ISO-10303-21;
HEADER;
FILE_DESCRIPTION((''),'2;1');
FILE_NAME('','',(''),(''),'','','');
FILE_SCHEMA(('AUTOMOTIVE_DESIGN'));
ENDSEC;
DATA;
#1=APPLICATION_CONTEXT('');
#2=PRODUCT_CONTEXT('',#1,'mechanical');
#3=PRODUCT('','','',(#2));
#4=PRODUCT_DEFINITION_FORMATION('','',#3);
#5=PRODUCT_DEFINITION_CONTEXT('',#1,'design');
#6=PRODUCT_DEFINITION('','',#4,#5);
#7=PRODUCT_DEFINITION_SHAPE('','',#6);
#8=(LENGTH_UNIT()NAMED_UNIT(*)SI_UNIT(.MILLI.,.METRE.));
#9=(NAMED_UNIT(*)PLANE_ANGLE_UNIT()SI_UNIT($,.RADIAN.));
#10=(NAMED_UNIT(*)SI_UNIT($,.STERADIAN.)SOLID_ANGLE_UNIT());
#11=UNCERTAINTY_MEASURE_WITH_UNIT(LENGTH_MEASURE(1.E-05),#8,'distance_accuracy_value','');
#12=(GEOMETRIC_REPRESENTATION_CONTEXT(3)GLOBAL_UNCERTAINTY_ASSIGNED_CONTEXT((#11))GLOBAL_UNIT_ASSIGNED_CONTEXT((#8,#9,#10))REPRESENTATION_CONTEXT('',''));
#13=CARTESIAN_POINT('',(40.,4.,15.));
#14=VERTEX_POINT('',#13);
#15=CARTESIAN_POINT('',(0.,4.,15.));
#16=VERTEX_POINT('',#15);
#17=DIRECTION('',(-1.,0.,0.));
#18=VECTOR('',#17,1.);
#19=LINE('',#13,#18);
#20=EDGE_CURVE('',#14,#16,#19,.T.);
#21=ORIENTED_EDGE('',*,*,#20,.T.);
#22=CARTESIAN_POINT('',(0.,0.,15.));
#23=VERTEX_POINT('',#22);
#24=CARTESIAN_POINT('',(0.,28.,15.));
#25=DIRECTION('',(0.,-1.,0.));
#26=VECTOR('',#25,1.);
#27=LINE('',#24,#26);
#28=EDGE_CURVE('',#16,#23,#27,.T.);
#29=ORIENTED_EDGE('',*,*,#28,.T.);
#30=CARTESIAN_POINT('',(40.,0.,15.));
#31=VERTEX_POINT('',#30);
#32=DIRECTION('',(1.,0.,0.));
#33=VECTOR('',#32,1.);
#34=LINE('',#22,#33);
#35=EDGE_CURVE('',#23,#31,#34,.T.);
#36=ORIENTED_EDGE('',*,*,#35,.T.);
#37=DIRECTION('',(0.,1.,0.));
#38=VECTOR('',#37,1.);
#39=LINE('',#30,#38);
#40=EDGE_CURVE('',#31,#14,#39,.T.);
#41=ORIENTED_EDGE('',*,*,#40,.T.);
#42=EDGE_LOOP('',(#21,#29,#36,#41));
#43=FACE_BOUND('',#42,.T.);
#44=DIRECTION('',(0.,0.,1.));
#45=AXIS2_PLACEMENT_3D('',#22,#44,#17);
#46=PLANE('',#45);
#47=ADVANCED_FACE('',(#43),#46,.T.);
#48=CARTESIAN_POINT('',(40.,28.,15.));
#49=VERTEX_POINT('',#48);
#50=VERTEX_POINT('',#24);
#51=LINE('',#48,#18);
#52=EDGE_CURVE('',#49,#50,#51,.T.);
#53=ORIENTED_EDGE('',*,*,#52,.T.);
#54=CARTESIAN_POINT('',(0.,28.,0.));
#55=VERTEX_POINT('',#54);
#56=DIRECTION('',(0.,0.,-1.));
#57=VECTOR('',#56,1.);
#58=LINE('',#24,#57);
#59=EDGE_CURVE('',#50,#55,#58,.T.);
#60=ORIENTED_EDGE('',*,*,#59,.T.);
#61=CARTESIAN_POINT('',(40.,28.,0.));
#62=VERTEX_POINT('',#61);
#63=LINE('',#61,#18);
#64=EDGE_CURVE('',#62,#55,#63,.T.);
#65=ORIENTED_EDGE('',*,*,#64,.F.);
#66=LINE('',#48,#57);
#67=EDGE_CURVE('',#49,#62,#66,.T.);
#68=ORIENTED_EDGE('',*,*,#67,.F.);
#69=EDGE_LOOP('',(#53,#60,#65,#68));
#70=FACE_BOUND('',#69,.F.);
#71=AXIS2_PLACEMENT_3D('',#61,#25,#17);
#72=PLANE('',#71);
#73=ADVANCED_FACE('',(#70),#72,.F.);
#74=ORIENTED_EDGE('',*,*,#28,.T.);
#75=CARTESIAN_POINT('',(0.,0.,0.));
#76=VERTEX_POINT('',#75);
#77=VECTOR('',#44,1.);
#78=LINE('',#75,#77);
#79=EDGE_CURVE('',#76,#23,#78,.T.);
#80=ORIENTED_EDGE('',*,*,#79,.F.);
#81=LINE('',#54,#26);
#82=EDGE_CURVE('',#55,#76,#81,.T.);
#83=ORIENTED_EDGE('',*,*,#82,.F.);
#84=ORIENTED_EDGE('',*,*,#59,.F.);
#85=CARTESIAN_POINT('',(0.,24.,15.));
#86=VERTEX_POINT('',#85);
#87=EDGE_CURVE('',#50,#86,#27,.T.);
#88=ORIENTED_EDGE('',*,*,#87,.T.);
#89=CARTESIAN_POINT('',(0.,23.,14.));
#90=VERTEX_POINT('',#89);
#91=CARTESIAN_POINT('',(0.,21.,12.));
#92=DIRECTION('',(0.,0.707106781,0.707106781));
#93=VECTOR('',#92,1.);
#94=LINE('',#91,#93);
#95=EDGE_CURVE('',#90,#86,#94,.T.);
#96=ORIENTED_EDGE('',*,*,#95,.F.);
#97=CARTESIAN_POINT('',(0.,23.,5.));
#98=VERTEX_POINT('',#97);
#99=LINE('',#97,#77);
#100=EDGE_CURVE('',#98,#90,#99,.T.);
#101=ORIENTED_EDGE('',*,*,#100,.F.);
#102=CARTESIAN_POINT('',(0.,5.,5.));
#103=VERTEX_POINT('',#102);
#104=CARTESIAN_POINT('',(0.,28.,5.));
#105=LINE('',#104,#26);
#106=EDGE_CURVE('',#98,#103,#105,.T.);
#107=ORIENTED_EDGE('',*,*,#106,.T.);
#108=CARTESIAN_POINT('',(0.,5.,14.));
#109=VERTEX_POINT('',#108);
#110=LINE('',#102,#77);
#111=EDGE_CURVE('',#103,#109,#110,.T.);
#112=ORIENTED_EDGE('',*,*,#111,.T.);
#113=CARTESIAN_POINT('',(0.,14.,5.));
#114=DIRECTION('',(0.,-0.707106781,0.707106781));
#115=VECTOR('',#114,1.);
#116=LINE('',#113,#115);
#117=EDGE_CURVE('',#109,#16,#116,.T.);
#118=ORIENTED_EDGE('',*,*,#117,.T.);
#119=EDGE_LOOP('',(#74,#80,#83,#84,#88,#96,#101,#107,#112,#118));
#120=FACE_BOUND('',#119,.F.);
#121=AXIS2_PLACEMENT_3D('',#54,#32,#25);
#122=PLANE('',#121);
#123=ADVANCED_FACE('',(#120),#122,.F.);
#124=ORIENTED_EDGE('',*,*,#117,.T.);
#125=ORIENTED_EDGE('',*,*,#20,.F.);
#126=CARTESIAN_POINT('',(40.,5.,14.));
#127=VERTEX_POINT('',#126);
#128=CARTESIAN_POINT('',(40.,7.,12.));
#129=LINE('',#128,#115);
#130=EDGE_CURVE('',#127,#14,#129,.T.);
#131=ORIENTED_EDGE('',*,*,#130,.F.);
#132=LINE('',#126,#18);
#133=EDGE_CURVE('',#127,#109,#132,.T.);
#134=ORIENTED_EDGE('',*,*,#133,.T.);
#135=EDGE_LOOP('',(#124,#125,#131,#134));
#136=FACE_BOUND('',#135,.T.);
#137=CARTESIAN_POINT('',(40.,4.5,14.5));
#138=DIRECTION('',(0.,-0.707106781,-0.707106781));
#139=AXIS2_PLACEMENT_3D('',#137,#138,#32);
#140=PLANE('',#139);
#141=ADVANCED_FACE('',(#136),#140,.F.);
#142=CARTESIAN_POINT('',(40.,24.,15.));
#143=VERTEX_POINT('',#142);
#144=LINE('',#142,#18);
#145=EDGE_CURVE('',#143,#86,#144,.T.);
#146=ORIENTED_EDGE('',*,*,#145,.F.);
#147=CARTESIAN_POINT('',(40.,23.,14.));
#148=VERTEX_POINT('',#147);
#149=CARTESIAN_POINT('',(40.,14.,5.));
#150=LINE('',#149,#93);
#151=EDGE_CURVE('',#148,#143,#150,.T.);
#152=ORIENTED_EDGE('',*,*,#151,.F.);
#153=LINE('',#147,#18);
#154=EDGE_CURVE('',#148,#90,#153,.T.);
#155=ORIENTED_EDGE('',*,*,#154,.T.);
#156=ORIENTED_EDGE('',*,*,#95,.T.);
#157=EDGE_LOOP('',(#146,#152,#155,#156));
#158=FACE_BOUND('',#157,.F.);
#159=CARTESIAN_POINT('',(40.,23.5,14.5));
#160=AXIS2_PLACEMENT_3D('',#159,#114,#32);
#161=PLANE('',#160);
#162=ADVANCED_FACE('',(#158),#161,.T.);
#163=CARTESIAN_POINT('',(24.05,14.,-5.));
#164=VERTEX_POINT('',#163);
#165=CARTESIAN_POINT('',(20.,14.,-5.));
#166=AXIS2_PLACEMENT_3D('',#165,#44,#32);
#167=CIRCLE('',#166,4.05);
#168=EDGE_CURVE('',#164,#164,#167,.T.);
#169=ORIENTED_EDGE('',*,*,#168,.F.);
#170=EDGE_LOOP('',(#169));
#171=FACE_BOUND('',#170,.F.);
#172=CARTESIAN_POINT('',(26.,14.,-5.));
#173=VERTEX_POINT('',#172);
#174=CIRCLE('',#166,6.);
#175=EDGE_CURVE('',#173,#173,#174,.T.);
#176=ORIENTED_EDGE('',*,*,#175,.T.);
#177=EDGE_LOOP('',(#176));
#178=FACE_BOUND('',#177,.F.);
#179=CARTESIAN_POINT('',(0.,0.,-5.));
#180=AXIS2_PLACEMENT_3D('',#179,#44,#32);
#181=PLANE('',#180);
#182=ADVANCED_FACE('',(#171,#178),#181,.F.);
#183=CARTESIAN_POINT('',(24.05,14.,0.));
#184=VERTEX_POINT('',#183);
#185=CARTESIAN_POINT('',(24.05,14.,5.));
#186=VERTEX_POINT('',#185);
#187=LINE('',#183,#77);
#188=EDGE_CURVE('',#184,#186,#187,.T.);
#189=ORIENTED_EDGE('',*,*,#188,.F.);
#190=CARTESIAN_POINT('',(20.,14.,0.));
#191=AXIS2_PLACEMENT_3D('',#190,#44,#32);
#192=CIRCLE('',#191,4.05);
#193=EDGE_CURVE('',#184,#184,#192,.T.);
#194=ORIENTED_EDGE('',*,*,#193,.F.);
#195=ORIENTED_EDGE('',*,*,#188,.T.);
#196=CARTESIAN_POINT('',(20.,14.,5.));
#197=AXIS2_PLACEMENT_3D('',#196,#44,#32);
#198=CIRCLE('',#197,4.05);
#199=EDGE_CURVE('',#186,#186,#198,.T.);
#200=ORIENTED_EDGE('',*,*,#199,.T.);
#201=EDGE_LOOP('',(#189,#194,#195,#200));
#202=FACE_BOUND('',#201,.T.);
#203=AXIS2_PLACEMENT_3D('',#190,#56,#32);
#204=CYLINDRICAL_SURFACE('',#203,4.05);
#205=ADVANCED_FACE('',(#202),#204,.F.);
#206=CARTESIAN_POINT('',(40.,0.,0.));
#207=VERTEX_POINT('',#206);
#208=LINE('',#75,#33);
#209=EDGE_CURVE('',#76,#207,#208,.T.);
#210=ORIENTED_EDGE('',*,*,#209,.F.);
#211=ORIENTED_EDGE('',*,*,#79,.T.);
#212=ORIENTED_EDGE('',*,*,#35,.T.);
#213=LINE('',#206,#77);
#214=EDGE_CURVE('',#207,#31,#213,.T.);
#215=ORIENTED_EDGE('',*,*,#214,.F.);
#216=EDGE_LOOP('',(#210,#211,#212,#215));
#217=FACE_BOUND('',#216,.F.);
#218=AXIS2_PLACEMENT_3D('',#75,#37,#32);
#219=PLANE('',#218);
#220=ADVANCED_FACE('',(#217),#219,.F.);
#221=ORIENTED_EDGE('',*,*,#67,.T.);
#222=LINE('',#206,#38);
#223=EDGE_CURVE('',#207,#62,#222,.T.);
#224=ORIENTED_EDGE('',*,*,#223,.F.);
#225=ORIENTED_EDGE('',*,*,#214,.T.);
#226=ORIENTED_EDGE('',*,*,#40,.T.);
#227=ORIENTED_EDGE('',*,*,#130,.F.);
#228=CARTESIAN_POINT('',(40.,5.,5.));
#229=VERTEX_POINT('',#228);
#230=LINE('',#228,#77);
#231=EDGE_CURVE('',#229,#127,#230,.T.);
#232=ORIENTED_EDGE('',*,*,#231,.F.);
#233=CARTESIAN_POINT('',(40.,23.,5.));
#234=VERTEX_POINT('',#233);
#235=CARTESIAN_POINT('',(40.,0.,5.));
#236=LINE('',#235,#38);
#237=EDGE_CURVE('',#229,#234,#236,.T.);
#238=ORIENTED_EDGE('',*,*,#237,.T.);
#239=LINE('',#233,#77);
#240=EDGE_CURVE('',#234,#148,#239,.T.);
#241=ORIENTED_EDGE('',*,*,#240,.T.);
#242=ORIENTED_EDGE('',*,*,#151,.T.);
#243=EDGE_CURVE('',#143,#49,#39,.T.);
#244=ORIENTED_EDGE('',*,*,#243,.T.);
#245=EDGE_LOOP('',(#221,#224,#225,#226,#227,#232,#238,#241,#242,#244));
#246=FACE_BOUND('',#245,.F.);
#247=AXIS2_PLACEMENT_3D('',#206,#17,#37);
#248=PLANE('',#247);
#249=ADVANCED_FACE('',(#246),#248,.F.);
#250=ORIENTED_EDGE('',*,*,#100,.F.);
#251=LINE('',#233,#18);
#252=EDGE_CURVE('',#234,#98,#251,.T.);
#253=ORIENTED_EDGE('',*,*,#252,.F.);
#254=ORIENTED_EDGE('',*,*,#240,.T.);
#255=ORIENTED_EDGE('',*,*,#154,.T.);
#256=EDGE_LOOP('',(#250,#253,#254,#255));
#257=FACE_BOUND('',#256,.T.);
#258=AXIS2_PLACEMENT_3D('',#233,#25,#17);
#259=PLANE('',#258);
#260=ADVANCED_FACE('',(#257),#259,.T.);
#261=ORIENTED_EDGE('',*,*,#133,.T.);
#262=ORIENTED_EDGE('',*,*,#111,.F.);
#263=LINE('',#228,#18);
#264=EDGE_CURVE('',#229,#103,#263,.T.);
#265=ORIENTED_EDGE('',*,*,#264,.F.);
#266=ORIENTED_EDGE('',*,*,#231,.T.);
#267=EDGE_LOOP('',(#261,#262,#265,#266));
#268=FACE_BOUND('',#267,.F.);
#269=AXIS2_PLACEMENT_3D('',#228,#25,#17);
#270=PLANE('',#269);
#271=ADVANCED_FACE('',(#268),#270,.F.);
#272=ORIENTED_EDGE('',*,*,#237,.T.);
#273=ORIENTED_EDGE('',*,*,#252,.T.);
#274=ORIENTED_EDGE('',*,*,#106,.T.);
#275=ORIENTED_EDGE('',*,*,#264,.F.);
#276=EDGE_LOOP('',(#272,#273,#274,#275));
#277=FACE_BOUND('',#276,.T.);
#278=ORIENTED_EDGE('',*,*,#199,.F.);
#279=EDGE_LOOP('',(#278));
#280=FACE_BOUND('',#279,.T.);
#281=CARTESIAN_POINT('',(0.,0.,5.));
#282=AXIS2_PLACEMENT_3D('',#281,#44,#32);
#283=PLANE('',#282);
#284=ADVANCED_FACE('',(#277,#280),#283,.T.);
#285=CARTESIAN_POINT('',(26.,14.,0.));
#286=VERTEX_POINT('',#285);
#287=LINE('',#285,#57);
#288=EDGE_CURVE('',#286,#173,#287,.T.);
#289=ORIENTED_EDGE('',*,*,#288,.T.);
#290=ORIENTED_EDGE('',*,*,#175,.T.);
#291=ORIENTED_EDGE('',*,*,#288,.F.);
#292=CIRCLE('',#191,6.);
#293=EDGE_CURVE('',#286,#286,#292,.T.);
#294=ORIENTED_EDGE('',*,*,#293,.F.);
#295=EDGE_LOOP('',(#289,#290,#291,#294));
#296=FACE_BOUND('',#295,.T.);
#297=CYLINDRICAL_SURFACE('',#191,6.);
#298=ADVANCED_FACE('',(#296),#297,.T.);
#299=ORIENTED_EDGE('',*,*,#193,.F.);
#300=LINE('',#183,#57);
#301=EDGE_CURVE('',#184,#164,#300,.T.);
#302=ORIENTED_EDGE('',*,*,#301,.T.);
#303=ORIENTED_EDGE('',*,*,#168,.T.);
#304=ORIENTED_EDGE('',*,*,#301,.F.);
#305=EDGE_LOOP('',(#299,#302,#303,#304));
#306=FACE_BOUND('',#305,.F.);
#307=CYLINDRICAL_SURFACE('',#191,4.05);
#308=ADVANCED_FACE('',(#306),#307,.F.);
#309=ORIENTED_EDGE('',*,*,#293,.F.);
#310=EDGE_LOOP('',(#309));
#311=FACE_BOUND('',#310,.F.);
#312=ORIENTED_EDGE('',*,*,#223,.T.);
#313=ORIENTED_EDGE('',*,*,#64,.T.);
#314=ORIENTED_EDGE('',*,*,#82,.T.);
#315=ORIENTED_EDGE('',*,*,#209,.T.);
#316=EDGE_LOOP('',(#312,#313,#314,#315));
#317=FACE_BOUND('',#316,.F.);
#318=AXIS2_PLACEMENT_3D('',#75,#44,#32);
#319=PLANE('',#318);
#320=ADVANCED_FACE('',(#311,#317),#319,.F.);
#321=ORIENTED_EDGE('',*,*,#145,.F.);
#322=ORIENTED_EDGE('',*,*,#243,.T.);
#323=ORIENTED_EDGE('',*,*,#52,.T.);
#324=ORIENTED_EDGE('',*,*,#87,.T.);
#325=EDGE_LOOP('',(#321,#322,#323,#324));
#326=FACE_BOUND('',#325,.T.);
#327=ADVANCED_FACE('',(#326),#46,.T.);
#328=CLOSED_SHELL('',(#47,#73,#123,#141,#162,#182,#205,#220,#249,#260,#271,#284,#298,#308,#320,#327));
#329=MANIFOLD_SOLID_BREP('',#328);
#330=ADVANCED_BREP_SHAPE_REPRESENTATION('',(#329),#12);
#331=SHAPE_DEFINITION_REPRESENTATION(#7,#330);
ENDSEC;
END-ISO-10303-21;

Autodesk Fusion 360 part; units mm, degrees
sketch "Sketch1" plane through (0, 0, 0) normal (0, 0, 1) x (1, 0, 0)
  line L0 (0, 0) -> (40, 0)
  line L1 (40, 0) -> (40, 28)
  line L2 (40, 28) -> (0, 28)
  line L3 (0, 28) -> (0, 0)
  circle A0 centre (20, 14) radius 4.05
  dimension "d1" = 40
  dimension "d2" = 28
  dimension "d3" = 8.1
  dimension "d10" = 14
  dimension "d11" = 20
extrude "Extrude1" add sketch "Sketch1" along normal blind 5
sketch "Sketch2" plane through (0, 0, 5) normal (0, 0, 1) x (-1, 0, 0)
  circle A0 centre (-20, -14) radius 4.05
  line L0 (0, -28) -> (0, 0)
  line L1 (0, 0) -> (-40, 0)
  line L2 (-40, 0) -> (-40, -28)
  line L3 (-40, -28) -> (0, -28)
  line L4 (0, -28) -> (-40, -28)
  line L5 (-40, -28) -> (-40, -23)
  line L6 (-40, -23) -> (0, -23)
  line L7 (0, -23) -> (0, -28)
  line L8 (0, 0) -> (-40, 0)
  line L9 (-40, 0) -> (-40, -5)
  line L10 (-40, -5) -> (0, -5)
  line L11 (0, -5) -> (0, 0)
  dimension "d6" = 40
  dimension "d7" = 5
  dimension "d8" = 40
  dimension "d9" = 5
extrude "Extrude2" add sketch "Sketch2" along normal blind 10 contours L0 L2 L3 L4 L5 L6 L7 | L0 L1 L2 L8 L9 L10 L11
chamfer "Chamfer1" distance 1 angle 45 2 edges at (20, 23, 15) (20, 5, 15)
sketch "Sketch3" plane through (0, 0, 0) normal (0, 0, 1) x (1, 0, 0)
  circle A0 centre (20, 14) radius 6
  circle A1 centre (20, 14) radius 4.05
  dimension "d15" = 12
extrude "Extrude3" add sketch "Sketch3" against normal blind 5
